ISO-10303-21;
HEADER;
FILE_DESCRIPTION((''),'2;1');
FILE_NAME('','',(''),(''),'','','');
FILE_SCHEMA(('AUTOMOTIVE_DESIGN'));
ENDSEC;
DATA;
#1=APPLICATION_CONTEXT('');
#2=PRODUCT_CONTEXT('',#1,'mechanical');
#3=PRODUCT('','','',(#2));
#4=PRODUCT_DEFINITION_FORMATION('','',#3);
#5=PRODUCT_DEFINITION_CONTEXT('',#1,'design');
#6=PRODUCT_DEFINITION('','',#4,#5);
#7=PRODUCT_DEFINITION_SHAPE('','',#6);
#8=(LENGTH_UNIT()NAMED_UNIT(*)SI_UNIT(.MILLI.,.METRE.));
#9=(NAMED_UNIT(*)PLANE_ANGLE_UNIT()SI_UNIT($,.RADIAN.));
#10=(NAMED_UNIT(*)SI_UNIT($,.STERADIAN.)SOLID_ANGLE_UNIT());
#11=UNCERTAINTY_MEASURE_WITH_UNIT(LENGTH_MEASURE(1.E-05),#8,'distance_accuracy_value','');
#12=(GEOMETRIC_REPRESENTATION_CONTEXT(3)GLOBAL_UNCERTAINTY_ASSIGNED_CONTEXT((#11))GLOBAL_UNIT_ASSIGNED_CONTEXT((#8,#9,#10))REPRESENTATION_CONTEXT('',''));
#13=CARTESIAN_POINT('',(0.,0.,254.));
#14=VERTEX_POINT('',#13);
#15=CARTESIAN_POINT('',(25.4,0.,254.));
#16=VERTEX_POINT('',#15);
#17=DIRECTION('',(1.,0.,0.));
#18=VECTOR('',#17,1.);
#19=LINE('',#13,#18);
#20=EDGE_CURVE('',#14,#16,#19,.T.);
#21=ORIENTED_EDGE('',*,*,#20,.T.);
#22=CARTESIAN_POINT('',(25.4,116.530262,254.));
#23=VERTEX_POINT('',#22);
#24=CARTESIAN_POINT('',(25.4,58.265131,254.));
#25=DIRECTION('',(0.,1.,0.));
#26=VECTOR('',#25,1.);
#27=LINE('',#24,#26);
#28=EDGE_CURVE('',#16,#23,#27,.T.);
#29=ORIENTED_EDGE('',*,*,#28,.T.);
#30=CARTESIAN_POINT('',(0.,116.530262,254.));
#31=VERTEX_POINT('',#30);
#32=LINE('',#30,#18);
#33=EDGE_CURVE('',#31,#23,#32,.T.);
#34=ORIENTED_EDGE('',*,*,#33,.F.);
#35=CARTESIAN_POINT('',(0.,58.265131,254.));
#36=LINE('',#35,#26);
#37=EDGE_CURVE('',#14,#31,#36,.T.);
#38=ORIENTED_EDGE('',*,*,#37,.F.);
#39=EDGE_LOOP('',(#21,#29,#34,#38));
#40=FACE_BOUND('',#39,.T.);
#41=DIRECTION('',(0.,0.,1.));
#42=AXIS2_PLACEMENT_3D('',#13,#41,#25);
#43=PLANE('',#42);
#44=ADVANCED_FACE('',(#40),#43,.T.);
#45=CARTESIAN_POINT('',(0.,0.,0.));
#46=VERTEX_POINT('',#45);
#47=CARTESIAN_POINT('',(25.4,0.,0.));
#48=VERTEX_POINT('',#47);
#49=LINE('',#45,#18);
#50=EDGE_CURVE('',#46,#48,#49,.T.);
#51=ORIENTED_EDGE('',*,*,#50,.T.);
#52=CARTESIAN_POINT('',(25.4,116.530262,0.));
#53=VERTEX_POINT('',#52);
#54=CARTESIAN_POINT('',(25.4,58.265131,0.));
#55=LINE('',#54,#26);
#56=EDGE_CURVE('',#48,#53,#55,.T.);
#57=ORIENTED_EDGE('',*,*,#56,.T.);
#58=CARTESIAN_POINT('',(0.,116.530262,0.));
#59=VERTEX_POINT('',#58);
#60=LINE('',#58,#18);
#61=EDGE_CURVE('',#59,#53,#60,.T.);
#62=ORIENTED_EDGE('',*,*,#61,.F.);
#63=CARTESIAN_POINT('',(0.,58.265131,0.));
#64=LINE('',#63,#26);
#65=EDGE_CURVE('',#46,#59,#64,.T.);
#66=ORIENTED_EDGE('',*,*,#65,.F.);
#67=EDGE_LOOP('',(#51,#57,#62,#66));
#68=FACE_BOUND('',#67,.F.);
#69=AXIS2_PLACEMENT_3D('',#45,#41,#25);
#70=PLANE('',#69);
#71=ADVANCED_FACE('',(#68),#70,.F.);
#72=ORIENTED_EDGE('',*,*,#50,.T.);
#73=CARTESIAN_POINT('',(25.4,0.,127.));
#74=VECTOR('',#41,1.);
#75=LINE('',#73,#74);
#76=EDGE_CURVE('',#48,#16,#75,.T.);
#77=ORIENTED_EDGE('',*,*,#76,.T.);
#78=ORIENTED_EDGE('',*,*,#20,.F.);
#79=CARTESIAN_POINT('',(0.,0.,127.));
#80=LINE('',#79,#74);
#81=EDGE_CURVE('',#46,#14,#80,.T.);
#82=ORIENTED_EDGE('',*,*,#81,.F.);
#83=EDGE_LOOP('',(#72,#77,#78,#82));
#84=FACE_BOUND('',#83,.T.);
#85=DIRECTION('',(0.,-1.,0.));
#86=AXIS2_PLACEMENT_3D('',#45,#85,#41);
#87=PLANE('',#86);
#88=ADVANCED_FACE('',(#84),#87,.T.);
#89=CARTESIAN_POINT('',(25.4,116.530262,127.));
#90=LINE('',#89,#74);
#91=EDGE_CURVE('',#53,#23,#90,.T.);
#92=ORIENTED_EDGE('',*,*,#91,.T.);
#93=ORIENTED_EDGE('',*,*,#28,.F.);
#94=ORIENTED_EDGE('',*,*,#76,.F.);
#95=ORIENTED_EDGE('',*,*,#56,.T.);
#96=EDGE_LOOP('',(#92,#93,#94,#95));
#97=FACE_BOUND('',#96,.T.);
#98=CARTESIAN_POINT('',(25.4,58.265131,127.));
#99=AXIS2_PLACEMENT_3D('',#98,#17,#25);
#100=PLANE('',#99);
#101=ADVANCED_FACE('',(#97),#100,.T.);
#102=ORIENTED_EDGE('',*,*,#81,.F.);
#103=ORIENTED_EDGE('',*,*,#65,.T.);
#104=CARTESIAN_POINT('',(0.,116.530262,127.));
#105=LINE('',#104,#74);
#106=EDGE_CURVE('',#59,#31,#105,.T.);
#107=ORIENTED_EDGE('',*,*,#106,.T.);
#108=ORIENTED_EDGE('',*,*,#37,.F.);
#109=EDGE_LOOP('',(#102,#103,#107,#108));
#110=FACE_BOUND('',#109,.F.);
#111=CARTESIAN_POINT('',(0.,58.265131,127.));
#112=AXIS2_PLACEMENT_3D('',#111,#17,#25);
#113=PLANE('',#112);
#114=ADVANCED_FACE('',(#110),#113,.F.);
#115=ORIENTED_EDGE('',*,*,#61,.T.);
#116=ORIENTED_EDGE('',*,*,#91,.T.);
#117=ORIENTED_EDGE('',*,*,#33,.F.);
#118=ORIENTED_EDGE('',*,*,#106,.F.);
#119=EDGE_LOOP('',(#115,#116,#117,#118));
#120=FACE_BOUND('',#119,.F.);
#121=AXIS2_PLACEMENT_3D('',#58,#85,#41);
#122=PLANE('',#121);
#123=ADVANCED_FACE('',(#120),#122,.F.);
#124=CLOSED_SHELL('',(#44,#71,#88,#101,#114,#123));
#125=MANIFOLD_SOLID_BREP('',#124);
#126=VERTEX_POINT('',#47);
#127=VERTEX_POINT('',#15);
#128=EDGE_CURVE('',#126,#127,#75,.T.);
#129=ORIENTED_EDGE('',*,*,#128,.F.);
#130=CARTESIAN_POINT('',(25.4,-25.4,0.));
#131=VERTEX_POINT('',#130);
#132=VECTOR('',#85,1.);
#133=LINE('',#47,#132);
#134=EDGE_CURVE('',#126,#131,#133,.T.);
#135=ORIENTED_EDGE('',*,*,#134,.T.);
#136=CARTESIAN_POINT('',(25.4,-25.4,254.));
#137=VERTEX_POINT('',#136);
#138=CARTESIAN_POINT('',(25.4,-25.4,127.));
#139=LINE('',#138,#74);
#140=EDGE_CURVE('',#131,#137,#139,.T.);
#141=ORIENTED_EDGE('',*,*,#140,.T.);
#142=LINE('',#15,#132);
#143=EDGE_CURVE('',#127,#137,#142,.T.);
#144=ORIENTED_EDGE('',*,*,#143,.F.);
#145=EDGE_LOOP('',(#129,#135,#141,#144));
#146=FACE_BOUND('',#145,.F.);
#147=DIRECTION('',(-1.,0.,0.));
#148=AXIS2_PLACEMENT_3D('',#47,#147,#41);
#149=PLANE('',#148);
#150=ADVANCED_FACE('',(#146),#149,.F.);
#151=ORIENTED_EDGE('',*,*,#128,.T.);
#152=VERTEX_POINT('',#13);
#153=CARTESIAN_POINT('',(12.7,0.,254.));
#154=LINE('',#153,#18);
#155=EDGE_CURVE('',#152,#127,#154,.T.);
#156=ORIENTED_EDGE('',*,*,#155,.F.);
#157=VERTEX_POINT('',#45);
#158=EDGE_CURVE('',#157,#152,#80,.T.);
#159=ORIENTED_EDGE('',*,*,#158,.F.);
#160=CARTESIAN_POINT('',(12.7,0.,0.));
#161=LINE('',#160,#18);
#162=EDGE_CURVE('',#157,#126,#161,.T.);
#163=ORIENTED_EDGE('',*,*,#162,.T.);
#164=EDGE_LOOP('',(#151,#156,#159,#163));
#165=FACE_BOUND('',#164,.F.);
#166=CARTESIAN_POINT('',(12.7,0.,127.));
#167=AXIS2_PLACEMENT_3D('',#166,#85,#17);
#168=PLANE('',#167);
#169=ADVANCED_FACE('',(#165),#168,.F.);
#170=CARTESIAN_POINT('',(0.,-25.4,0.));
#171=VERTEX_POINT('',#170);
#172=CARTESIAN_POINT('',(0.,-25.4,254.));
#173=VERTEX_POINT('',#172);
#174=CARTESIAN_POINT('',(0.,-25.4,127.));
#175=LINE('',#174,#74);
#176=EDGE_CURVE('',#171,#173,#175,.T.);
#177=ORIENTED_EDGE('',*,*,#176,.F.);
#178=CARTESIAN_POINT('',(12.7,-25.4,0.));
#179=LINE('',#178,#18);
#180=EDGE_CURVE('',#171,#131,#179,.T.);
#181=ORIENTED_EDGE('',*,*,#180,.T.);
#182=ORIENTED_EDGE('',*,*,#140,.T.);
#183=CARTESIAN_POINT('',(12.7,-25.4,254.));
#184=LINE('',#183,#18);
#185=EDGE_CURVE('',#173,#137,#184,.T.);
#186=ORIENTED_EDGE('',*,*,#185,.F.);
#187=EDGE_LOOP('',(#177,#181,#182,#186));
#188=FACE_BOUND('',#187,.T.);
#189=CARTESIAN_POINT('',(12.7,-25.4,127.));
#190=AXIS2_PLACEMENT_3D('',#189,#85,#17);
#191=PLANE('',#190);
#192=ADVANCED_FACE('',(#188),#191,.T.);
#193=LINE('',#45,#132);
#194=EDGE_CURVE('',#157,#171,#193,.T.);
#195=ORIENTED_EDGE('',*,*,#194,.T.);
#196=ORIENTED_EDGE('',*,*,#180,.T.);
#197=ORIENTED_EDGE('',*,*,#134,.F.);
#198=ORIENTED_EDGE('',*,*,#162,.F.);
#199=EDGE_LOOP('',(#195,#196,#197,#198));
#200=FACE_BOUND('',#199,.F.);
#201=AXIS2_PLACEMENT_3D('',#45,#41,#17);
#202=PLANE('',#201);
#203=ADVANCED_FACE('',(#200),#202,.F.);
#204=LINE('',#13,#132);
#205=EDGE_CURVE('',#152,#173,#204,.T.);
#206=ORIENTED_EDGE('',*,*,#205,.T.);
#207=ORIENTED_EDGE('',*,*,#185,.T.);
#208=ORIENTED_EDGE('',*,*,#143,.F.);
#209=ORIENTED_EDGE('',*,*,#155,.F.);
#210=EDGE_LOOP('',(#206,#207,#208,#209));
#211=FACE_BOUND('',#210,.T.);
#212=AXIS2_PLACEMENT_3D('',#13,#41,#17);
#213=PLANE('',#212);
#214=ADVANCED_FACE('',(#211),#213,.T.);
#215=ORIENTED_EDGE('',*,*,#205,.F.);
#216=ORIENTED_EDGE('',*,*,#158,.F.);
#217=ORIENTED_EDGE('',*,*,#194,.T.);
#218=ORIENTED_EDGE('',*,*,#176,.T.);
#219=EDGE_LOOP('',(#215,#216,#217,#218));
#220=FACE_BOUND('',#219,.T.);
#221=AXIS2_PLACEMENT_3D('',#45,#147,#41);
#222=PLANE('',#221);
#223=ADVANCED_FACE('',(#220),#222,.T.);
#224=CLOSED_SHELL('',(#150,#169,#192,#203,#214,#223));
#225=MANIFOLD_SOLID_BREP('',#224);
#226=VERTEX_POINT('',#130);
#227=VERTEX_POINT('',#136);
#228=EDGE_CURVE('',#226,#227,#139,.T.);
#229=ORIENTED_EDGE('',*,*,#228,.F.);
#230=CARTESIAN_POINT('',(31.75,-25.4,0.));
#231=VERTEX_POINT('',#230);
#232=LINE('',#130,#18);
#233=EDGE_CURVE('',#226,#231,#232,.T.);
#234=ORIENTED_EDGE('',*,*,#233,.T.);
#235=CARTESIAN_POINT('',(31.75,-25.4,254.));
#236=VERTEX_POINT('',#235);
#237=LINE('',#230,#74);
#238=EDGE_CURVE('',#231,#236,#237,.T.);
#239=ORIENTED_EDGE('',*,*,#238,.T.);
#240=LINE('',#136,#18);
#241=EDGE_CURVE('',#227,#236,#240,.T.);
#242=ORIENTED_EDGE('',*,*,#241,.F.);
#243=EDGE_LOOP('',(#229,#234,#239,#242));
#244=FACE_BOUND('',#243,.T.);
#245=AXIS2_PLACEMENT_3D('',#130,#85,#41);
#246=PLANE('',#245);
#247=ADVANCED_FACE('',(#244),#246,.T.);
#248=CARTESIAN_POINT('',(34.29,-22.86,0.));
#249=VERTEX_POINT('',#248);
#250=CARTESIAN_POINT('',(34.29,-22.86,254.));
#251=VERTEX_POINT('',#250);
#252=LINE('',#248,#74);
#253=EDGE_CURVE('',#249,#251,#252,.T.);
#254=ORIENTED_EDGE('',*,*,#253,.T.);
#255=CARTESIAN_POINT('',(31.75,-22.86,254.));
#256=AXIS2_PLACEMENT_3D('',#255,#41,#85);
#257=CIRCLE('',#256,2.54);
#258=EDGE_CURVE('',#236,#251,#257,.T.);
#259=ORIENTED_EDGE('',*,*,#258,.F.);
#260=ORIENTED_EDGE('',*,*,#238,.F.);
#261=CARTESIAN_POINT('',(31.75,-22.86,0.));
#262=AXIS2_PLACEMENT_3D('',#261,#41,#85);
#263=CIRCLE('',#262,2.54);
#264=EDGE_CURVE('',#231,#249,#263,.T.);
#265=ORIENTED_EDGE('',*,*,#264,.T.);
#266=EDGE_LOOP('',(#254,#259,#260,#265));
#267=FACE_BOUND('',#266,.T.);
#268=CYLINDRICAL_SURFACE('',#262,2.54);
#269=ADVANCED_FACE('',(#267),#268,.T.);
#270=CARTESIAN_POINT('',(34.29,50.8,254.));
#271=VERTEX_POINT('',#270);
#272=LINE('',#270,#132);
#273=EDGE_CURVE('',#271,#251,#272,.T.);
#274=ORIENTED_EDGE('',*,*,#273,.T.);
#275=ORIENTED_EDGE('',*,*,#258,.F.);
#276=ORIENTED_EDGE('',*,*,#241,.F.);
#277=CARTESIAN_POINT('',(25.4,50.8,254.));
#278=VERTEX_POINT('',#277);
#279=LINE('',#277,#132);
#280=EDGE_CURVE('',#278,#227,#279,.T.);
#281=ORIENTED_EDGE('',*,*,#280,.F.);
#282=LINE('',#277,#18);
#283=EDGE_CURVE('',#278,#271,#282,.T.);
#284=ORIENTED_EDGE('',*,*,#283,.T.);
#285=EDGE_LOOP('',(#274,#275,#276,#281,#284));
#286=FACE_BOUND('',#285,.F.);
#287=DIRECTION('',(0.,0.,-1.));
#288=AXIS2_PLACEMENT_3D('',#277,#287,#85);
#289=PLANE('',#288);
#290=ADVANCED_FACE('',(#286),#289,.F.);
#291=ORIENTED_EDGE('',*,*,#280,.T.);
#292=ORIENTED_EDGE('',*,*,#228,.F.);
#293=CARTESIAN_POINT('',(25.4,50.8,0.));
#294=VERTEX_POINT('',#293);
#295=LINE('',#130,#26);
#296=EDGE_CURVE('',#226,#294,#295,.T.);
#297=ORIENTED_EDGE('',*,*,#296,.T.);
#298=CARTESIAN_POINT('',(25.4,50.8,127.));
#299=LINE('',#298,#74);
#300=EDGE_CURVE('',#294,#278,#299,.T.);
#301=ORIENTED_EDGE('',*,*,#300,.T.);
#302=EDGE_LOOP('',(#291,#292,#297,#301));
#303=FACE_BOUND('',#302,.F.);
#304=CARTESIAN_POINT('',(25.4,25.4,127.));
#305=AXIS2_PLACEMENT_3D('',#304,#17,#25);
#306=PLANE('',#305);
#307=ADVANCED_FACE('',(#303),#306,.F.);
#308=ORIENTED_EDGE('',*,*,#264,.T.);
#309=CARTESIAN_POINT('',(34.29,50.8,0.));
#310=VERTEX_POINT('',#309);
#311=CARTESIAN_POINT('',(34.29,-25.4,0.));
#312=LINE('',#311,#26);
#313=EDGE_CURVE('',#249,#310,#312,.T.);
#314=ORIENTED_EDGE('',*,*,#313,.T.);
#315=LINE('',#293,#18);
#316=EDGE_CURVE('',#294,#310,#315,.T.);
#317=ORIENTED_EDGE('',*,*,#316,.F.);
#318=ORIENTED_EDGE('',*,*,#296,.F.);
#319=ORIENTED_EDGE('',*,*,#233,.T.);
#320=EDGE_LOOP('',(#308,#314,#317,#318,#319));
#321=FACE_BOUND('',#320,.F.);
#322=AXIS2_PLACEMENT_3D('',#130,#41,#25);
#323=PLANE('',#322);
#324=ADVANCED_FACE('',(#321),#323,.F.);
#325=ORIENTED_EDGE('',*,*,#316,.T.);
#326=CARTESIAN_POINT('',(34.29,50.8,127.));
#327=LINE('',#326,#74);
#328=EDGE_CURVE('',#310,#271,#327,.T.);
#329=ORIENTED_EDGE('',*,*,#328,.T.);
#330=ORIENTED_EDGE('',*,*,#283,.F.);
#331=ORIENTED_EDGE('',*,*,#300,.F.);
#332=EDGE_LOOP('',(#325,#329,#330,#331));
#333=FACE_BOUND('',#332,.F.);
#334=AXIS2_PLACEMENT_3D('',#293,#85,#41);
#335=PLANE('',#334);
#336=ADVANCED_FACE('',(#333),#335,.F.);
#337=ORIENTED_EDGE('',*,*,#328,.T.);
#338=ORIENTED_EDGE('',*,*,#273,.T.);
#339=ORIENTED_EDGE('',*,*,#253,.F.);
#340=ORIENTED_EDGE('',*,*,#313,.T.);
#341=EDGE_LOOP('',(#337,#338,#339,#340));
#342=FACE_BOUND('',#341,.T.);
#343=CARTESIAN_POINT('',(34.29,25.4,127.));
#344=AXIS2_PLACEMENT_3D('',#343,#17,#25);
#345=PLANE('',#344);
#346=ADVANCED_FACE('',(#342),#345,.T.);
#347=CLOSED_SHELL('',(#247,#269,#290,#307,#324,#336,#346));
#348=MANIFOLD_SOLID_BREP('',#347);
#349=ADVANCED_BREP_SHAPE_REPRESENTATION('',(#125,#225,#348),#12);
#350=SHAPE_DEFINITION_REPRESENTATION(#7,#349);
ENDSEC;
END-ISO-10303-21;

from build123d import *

# Parameters (mm, degrees)
F0_W      = 116.530262
F0_H      = 254
F1_DEPTH  = 25.4
F1_FACE_W = 25.4
F1_FACE_H = 254
F2_DEPTH  = 25.4
F3_W      = 50.8
F3_H      = 254
F3_W_2    = 25.4
F4_DEPTH  = 8.89
F5_R      = 2.54


with BuildPart() as f1:
    # F0 (on Right) → F1 (new body)
    with BuildSketch(Plane.YZ):
        with Locations((58.265131, 127)):
            Rectangle(F0_W, F0_H)
    extrude(amount=F1_DEPTH)


with BuildPart() as f2:
    # F1_face (on face) → F2 (new body)
    with BuildSketch(Plane(origin=(12.7, 0, 127), x_dir=(1, 0, 0), z_dir=(0, -1, 0))):
        Rectangle(F1_FACE_W, F1_FACE_H)
    extrude(amount=F2_DEPTH)


with BuildPart() as f4:
    # F3 (on face) → F4 (new body)
    with BuildSketch(Plane.YZ.offset(25.4)):
        with Locations((25.4, 127)):
            Rectangle(F3_W, F3_H)
        with Locations((-12.7, 127)):
            Rectangle(F3_W_2, F3_H)
    extrude(amount=F4_DEPTH)

    # F5
    f5_edges = [f4.edges().sort_by_distance(p)[0] for p in [
        (34.29, -25.4, 127),
    ]]
    fillet(f5_edges, radius=F5_R)


solid = Compound([f1.part, f2.part, f4.part])
